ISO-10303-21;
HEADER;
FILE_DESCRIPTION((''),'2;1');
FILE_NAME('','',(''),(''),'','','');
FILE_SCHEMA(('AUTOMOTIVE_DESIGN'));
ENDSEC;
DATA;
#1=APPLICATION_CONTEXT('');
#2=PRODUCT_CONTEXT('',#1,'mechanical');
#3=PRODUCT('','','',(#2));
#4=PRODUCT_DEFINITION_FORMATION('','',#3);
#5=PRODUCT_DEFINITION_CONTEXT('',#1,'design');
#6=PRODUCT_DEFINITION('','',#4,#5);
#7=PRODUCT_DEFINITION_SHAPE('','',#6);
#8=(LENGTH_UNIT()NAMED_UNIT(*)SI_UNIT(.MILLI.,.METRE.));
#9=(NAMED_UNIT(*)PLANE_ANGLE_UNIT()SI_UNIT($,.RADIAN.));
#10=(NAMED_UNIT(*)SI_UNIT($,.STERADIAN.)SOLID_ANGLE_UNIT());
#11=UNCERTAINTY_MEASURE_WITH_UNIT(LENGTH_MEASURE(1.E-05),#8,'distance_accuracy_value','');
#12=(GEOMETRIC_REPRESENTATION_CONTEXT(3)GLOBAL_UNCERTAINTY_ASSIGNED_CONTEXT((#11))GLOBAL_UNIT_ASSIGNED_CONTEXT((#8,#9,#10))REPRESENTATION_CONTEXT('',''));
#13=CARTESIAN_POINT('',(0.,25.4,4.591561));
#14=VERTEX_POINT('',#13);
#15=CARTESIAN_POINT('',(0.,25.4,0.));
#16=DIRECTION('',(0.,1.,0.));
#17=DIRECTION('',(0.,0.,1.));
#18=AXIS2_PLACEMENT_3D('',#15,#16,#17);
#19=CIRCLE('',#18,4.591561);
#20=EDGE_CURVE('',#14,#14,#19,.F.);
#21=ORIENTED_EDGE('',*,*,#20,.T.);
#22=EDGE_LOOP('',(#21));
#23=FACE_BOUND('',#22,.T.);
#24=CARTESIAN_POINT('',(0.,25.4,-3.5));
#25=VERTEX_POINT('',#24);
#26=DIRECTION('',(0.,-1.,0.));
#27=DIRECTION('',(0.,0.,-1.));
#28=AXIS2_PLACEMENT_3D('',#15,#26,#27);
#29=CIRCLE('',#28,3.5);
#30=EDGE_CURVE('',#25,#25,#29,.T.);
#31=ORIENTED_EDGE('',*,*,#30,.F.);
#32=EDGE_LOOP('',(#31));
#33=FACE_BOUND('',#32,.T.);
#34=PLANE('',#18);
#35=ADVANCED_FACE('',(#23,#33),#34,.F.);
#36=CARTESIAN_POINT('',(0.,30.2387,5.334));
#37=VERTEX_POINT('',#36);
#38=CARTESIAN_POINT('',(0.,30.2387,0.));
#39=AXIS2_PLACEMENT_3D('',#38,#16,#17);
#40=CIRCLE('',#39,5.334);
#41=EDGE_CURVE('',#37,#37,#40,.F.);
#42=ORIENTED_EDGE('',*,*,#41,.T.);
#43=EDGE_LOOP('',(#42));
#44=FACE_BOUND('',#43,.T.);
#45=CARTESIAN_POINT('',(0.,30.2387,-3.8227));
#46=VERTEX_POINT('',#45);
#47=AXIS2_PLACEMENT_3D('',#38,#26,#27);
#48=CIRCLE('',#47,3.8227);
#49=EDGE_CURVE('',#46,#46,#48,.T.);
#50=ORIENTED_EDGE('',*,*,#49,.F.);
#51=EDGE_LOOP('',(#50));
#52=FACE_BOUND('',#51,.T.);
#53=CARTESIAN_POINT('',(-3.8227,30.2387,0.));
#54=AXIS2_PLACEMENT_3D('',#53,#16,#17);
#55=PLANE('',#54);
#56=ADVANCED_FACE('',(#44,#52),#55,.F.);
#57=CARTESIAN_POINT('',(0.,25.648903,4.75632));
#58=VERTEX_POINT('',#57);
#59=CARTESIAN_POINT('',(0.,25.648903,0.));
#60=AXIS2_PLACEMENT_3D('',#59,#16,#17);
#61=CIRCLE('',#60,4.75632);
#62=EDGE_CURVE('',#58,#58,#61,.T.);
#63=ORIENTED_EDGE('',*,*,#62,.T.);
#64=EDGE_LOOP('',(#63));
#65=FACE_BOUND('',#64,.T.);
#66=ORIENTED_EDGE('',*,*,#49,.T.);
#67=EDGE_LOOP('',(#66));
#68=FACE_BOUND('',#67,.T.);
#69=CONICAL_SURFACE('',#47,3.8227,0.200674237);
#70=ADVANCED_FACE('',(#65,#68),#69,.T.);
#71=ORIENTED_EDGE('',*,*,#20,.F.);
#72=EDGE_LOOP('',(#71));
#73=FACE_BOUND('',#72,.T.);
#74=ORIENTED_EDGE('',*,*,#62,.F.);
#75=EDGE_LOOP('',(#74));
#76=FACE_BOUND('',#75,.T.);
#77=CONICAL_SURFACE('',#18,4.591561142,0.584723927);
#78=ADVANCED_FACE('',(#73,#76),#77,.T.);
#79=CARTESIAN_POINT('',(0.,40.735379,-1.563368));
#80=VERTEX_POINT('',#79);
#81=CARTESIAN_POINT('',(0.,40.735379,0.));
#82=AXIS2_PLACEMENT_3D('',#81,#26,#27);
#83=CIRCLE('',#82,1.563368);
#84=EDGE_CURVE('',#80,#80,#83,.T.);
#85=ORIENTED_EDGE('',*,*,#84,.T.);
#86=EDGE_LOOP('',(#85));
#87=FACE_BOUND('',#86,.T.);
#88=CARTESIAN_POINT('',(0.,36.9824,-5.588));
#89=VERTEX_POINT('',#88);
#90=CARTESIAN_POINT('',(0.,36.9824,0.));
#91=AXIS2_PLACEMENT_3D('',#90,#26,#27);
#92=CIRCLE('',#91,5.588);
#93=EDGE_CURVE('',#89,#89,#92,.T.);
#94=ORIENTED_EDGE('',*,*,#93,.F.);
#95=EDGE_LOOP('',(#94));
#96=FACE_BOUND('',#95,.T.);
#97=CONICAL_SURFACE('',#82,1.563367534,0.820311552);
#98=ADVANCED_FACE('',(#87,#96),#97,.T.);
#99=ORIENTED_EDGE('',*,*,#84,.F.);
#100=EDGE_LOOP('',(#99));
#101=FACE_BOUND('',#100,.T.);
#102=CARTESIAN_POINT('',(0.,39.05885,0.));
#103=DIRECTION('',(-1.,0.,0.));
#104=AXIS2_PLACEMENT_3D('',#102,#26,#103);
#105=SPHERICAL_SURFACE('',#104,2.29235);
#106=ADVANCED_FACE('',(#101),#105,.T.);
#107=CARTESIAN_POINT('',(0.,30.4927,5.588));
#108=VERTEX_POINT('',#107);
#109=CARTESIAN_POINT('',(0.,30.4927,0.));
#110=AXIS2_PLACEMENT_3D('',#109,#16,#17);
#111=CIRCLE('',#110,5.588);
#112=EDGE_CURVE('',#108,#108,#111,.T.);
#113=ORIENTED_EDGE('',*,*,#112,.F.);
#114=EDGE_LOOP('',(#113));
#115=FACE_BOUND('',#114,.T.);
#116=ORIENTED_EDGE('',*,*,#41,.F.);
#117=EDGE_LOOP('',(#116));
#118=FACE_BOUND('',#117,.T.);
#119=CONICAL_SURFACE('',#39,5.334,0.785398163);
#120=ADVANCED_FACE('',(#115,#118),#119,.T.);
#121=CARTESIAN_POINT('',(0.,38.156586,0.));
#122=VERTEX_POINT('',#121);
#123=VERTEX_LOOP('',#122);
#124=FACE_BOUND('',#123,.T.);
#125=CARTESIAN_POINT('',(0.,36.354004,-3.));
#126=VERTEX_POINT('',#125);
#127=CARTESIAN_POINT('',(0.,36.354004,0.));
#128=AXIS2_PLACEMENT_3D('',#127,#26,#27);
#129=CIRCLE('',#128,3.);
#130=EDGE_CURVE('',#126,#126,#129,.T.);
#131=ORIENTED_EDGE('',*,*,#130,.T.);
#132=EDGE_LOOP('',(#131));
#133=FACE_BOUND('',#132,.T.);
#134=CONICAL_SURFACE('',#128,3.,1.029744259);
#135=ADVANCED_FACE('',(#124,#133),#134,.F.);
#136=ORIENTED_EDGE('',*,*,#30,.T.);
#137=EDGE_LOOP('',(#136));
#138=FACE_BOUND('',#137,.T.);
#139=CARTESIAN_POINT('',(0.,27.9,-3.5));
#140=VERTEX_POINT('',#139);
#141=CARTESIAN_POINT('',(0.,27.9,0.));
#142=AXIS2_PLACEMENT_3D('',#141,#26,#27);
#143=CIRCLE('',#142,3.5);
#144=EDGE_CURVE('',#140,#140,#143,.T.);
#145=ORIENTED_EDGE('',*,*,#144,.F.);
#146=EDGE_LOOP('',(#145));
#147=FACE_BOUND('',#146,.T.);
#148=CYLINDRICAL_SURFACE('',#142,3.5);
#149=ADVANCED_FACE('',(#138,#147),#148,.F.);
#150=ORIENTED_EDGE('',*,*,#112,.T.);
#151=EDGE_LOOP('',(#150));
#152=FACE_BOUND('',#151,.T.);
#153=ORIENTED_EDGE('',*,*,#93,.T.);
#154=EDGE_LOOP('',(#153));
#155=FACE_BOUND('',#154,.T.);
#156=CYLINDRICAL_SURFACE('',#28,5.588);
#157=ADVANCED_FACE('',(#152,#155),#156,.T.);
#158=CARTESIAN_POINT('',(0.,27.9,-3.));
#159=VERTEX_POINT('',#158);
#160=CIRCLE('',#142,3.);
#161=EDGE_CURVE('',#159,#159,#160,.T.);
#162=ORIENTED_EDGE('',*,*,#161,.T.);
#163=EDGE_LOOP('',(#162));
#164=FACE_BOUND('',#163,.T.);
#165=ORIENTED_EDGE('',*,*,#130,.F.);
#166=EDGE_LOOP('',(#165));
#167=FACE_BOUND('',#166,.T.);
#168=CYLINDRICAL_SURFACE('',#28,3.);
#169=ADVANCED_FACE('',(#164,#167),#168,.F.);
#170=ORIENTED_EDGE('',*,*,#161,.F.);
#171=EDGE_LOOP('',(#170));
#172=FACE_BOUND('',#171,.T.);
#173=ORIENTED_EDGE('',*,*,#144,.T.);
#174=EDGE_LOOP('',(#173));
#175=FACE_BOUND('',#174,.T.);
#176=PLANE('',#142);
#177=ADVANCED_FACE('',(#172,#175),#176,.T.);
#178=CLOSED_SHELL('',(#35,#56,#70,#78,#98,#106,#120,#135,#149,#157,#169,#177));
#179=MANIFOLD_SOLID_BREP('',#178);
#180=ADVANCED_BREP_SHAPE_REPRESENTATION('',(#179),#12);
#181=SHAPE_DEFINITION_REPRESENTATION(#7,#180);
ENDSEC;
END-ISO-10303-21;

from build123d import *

# Parameters (mm, degrees)
CHAMFER1_SIZE              = 0.254
CHAMFER1_EDGE_2_SIZE2      = 0.215388858
CHAMFER1_EDGE_2_SIZE       = 0.254
SKETCH4_R                  = 3.5
CUT_EXTRUDE1_DEPTH         = 2.5
M7X0_75_TAPPED_HOLE1_D     = 6
M7X0_75_TAPPED_HOLE1_DEPTH = 10.954004
M7X0_75_TAPPED_HOLE1_TIP   = 1.802581857


with BuildPart() as part:
    # Sketch1 → Revolve1 (revolve)
    with BuildSketch(Plane.XY):
        with BuildLine():
            Line((0, 25.4), (-4.80695, 25.4))
            Line((-4.80695, 25.4), (-3.8227, 30.2387))
            Line((-3.8227, 30.2387), (-5.588, 30.2387))
            Line((-5.588, 30.2387), (-5.588, 36.9824))
            Line((-5.588, 36.9824), (-1.563367534, 40.735379295))
            ThreePointArc((-1.563367534, 40.735379295), (-0.840141831, 41.19169557), (0, 41.3512))
            Line((0, 41.3512), (0, 25.4))
        make_face()
    revolve(axis=Axis((0, 25.4, 0), (0, 1, 0)))

    # Chamfer1
    chamfer1_edges = [part.edges().sort_by_distance(p)[0] for p in [
        (5.588, 30.2387, 0),
    ]]
    chamfer(chamfer1_edges, length=CHAMFER1_SIZE)

    # Chamfer1 edge 2
    chamfer1_edge_2_edges = [part.edges().sort_by_distance(p)[0] for p in [
        (4.80695, 25.4, 0),
    ]]
    chamfer(chamfer1_edge_2_edges, length=CHAMFER1_EDGE_2_SIZE, length2=CHAMFER1_EDGE_2_SIZE2)

    # Sketch4 → Cut-Extrude1 (cut)
    with BuildSketch(Plane.XZ.offset(-25.4)):
        Circle(SKETCH4_R)
    extrude(amount=-CUT_EXTRUDE1_DEPTH, mode=Mode.SUBTRACT)

    # M7x0.75 Tapped Hole1
    with Locations(Plane(origin=(0, 25.4, 0), x_dir=(-1, 0, 0), z_dir=(0, -1, 0))):
        with Locations((0, 0), (96.139395676, -180.684699687)):
            Hole(M7X0_75_TAPPED_HOLE1_D / 2, depth=M7X0_75_TAPPED_HOLE1_DEPTH)
            with Locations((0, 0, -(M7X0_75_TAPPED_HOLE1_DEPTH + M7X0_75_TAPPED_HOLE1_TIP / 2))):  # 118° drill point
                Cone(0, M7X0_75_TAPPED_HOLE1_D / 2, M7X0_75_TAPPED_HOLE1_TIP, mode=Mode.SUBTRACT)


solid = part.part
